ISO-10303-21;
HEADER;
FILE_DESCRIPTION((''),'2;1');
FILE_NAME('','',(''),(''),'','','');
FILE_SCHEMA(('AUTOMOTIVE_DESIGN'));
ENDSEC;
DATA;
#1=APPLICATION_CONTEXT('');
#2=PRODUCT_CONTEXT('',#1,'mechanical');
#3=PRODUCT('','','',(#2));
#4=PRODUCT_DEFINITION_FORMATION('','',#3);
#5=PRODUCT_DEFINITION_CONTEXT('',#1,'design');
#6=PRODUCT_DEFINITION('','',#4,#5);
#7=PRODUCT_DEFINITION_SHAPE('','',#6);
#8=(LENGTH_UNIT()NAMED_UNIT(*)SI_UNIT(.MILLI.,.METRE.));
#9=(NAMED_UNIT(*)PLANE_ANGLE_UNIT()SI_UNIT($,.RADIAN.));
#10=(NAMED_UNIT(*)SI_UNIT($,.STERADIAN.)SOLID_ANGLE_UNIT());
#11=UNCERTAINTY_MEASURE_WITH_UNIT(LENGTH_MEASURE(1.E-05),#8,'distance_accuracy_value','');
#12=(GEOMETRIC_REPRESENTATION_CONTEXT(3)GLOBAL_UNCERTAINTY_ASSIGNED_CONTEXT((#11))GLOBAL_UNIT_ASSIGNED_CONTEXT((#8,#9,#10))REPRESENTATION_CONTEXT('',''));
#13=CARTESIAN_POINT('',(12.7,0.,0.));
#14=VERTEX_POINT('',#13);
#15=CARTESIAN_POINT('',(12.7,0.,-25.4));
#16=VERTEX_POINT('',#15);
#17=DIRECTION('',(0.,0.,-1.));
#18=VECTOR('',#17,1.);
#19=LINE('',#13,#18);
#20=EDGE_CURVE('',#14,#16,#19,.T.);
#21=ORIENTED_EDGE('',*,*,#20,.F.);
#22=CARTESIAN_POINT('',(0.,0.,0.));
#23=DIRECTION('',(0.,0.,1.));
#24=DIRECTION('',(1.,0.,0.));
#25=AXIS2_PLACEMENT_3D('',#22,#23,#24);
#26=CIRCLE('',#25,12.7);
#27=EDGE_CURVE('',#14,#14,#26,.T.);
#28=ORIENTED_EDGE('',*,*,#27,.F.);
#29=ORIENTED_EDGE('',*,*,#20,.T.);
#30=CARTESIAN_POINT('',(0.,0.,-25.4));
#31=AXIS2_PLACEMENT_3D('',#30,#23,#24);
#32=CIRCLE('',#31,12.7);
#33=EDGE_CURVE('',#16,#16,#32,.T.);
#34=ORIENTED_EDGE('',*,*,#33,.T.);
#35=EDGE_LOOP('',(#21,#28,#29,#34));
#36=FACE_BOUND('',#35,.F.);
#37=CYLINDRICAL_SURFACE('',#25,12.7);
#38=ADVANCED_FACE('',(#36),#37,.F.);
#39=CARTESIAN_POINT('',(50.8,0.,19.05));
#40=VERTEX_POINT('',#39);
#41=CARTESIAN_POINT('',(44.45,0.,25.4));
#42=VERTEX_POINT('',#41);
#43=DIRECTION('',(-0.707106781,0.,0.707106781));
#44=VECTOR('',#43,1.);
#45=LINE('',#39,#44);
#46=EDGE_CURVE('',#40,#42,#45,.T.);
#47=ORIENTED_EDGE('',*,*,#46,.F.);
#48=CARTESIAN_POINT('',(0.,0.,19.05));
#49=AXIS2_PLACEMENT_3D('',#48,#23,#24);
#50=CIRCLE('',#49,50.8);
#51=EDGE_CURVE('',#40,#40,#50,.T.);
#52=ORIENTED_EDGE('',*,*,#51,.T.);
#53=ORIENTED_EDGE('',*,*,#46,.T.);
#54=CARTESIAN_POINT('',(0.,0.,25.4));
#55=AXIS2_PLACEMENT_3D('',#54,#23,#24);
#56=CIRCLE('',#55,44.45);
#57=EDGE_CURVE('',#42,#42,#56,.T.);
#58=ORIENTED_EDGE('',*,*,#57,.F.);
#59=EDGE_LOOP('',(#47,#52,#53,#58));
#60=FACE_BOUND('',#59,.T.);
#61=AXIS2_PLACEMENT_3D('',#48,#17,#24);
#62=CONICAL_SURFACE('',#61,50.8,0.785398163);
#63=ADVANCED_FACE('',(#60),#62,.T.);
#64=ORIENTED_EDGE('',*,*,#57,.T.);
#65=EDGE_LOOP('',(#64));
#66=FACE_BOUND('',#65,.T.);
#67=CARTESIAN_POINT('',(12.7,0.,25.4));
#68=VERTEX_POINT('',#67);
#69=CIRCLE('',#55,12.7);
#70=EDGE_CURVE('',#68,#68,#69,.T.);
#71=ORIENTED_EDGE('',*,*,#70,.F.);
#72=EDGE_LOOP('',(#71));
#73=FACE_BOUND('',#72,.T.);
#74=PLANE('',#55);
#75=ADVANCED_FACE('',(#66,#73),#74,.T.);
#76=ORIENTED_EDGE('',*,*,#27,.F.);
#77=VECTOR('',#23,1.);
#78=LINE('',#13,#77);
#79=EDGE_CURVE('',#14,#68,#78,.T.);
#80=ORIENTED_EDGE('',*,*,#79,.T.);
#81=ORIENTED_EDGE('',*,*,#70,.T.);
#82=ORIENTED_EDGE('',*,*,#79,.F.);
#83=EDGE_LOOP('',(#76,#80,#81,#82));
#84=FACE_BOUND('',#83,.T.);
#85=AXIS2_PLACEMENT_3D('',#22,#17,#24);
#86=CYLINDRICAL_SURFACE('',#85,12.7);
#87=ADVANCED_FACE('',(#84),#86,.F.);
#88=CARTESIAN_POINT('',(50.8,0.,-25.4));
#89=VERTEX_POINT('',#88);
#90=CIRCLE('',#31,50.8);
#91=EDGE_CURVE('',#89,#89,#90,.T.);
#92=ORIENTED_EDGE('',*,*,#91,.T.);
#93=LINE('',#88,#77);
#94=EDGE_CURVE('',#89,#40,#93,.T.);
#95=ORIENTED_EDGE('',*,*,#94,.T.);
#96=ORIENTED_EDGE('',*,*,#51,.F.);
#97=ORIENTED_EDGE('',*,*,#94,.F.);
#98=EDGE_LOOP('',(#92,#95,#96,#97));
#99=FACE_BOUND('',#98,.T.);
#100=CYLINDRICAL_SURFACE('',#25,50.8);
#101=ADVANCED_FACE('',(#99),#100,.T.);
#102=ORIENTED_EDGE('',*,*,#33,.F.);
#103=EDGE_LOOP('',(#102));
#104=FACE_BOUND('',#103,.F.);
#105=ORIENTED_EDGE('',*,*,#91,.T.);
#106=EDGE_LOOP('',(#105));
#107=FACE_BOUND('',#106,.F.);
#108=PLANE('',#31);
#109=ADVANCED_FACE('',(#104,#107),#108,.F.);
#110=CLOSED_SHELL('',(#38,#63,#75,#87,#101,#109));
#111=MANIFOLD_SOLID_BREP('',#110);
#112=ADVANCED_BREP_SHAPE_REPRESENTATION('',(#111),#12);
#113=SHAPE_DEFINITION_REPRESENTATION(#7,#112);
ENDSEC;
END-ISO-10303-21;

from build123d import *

# Parameters (mm, degrees)
F0_R     = 50.8
F0_R_2   = 12.7
F1_DEPTH = 25.4
F2_SIZE  = 6.35
F3_DEPTH = 25.4


with BuildPart() as f1:
    # F0 (on Top) → F1 (new body)
    with BuildSketch(Plane.XY):
        Circle(F0_R)
        Circle(F0_R_2, mode=Mode.SUBTRACT)
    extrude(amount=F1_DEPTH)

    # F2
    f2_edges = [f1.edges().sort_by_distance(p)[0] for p in [
        (-50.8, 0, 25.4),
    ]]
    chamfer(f2_edges, length=F2_SIZE)

    # F0 (on Top) → F3 (join)
    with BuildSketch(Plane.XY):
        Circle(F0_R)
        Circle(F0_R_2, mode=Mode.SUBTRACT)
    extrude(amount=-F3_DEPTH)


solid = f1.part
